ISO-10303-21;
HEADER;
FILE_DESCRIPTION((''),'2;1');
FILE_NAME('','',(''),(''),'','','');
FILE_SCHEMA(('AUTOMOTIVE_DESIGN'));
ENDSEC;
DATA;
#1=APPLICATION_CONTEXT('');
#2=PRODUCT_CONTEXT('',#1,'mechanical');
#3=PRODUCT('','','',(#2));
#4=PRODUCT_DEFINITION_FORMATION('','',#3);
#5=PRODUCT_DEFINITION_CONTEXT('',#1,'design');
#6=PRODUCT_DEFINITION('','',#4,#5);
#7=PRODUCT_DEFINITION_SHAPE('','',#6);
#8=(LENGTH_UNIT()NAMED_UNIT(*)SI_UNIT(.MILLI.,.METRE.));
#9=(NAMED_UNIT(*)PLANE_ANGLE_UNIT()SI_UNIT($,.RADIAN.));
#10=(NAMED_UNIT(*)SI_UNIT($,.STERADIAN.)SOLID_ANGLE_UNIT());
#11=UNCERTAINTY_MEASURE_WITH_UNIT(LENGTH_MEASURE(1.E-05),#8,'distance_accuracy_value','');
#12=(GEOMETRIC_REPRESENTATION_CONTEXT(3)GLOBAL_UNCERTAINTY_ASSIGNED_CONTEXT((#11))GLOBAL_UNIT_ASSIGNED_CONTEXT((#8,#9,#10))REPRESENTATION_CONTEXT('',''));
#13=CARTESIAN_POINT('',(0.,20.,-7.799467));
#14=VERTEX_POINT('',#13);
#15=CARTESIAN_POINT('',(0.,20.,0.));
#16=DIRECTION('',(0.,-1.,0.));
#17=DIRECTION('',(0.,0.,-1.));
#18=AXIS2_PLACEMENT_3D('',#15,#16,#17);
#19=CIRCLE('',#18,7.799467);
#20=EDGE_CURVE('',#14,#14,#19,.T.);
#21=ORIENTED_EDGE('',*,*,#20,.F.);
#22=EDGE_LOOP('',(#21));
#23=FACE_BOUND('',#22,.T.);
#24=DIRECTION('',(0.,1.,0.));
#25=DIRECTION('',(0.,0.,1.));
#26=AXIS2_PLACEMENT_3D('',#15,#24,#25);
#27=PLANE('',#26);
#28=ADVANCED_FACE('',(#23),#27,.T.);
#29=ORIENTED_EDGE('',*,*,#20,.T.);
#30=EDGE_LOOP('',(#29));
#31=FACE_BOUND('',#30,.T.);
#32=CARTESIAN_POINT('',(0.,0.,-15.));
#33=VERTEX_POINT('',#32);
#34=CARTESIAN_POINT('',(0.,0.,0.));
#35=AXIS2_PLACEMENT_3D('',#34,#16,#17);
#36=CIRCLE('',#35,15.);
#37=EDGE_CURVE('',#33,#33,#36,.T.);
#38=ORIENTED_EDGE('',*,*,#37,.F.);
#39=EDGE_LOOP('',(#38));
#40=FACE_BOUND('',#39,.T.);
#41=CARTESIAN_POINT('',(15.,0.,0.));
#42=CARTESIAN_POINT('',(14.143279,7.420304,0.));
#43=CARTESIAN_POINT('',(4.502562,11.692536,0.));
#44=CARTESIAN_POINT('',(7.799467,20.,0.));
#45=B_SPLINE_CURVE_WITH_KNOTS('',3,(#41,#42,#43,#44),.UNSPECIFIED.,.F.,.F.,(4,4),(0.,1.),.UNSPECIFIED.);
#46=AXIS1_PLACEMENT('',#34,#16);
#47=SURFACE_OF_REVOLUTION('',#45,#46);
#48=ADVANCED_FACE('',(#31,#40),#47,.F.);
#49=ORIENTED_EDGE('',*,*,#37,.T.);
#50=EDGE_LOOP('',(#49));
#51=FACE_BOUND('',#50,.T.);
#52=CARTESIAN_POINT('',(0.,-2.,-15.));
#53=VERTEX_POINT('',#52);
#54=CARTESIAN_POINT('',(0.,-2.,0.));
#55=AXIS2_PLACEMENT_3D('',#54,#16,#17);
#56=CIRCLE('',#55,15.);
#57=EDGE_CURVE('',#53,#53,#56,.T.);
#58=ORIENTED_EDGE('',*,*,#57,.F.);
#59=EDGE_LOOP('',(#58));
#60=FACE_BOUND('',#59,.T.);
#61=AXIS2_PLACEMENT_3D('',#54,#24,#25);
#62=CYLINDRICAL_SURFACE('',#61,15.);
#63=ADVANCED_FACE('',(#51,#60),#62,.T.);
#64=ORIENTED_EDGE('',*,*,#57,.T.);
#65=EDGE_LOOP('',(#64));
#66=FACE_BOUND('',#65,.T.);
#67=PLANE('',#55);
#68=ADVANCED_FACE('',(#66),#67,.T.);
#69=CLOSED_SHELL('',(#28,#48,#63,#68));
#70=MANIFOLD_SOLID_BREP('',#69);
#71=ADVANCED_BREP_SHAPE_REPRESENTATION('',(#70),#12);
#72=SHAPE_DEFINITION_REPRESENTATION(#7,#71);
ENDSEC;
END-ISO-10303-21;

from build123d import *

# Parameters (mm, degrees)
SKETCH2_R           = 15
BOSS_EXTRUDE1_DEPTH = 2


with BuildPart() as part:
    # Sketch1 → Revolve1 (revolve)
    with BuildSketch(Plane.XY):
        with BuildLine():
            Line((0, 0), (0, 20))
            Line((0, 20), (7.799466787, 20))
            add(Edge.make_bspline(
                [(7.799466787, 20), (4.502561706, 11.692536174), (14.14327911, 7.420303534), (15, 0)],
                knots=[0, 0, 0, 0, 1, 1, 1, 1], degree=3))
            Line((15, 0), (0, 0))
        make_face()
    revolve(axis=Axis((0, 0, 0), (0, 1, 0)))

    # Sketch2 → Boss-Extrude1 (add)
    with BuildSketch(Plane.XZ):
        with Locations(Location((0, 0, 0), (0, 0, 270))):
            Circle(SKETCH2_R)
    extrude(amount=BOSS_EXTRUDE1_DEPTH)


solid = part.part
